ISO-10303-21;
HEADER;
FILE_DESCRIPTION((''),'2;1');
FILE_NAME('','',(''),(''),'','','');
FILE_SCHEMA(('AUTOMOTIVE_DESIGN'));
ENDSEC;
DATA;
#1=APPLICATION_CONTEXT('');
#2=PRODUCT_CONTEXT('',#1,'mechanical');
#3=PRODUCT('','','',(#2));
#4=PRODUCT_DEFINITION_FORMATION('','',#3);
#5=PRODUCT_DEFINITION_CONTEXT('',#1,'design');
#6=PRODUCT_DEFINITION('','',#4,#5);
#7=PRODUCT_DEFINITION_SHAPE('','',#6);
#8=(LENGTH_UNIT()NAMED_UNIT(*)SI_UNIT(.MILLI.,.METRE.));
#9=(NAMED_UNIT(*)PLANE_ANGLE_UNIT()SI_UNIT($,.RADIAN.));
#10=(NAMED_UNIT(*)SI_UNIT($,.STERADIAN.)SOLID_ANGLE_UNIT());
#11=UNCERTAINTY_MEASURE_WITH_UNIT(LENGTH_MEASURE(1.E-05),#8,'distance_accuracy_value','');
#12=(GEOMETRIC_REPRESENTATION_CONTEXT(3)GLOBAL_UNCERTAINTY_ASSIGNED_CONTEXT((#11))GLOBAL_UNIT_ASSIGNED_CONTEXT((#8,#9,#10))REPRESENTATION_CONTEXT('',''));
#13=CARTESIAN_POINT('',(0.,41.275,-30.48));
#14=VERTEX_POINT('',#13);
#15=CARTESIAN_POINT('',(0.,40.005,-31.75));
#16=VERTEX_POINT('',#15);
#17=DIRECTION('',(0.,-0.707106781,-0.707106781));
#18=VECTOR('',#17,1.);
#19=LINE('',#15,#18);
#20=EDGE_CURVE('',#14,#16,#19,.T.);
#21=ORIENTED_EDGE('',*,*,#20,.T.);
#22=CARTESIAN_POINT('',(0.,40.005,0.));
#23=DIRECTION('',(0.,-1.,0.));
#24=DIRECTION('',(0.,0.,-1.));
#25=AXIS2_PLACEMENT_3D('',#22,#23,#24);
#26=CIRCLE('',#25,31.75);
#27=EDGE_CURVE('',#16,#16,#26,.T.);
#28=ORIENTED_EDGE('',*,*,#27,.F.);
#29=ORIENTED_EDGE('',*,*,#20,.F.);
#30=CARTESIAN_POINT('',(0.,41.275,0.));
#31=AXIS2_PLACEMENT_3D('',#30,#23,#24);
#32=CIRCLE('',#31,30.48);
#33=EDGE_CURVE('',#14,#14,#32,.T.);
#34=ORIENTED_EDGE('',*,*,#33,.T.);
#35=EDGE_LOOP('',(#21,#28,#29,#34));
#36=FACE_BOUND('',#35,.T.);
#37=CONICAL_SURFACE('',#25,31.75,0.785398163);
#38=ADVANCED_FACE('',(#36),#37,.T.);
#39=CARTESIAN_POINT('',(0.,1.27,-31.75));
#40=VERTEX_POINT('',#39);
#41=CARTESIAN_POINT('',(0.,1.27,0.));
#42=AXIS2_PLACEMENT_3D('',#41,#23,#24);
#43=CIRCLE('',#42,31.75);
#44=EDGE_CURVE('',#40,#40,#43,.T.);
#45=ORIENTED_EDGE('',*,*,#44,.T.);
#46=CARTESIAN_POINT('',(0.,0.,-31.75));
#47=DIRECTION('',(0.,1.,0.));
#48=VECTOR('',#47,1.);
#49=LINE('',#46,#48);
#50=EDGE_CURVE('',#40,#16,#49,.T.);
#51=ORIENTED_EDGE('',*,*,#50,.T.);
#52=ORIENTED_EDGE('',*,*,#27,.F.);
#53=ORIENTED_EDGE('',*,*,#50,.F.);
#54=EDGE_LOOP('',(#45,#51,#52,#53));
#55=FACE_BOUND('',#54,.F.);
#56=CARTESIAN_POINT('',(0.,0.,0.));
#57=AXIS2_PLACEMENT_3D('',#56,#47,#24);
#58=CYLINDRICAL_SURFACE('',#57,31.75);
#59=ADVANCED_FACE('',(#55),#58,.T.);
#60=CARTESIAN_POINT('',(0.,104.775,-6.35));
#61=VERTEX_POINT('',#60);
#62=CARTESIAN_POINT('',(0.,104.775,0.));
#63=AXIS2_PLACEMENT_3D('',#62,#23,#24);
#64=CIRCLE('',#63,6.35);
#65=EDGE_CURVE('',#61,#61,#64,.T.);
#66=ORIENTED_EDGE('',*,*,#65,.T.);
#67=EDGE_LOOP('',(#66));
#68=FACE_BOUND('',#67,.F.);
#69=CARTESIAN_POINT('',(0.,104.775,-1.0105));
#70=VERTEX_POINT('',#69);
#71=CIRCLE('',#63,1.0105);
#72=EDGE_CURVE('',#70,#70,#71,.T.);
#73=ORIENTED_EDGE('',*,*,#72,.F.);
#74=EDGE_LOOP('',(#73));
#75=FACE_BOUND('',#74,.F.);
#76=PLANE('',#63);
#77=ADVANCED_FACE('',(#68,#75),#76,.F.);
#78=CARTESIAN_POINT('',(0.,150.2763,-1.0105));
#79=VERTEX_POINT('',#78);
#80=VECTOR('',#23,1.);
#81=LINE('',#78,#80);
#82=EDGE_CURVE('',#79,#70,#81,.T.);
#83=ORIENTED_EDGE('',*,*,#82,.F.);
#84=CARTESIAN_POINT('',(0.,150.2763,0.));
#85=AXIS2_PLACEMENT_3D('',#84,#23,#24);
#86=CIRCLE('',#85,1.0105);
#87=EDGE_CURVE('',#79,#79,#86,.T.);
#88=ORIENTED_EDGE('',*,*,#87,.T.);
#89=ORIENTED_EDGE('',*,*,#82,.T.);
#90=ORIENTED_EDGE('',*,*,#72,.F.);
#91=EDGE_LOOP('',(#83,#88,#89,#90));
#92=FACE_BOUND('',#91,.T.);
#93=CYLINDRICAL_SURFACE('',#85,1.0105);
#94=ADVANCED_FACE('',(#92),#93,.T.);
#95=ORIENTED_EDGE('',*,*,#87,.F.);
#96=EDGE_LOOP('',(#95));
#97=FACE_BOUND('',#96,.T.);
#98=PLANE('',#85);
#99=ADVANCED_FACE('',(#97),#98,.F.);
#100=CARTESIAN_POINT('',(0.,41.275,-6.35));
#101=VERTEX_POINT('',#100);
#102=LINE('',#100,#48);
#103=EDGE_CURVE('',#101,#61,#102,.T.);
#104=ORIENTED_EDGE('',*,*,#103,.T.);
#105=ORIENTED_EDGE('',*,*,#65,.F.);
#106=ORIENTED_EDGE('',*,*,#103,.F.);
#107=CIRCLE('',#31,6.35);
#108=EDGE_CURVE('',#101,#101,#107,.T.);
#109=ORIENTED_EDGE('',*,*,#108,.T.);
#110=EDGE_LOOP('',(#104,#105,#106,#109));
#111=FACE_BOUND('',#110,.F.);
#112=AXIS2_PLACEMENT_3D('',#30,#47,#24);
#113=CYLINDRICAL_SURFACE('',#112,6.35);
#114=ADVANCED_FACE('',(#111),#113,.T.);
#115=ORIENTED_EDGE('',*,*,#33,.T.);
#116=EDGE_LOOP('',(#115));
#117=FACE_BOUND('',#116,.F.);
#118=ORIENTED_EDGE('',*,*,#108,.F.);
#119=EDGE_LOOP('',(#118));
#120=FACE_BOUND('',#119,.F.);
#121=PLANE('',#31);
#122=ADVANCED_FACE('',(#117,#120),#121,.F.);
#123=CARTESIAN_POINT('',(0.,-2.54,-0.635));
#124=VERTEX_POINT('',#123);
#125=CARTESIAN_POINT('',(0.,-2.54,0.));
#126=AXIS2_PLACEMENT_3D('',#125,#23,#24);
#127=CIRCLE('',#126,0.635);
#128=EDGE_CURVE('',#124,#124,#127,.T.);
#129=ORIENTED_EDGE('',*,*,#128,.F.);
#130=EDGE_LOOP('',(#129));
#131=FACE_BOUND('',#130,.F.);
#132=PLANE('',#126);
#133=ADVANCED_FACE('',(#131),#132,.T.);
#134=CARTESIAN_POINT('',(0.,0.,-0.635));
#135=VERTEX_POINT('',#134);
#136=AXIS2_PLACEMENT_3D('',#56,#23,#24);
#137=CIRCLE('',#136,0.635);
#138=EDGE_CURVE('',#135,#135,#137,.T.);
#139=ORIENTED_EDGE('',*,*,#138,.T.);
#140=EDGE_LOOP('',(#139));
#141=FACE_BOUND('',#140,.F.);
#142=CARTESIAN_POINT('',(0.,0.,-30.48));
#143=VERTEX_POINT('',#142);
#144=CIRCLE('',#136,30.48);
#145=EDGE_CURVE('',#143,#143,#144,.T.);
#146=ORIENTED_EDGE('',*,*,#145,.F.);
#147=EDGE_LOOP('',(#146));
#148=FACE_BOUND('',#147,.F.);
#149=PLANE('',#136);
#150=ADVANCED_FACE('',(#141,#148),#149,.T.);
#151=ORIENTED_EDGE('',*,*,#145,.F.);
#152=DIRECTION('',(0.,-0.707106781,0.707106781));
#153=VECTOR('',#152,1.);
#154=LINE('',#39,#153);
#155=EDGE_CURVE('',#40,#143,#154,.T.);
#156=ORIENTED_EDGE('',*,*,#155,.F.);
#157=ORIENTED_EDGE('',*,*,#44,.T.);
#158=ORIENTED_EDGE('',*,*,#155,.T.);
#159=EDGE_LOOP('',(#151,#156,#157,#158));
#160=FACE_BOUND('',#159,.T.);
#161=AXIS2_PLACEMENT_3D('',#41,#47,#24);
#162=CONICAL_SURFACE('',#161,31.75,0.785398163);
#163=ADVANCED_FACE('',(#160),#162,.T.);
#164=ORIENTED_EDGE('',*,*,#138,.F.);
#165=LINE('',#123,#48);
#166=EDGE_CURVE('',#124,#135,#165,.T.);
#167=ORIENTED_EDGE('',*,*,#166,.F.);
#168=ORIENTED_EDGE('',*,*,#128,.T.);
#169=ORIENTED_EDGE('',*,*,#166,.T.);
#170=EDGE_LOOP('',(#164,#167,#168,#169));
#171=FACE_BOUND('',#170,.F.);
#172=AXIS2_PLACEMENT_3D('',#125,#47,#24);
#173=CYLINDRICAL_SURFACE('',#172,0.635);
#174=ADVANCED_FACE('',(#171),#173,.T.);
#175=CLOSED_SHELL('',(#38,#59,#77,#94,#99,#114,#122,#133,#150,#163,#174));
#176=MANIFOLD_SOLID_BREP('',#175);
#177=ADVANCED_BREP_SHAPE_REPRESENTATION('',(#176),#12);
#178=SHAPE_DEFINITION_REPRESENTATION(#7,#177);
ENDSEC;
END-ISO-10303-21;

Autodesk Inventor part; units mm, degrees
ref_plane "YZ Plane" through (0, 0, 0) normal (1, 0, 0) x (0, 1, 0)
ref_plane "XZ Plane" through (0, 0, 0) normal (0, 1, 0) x (-1, 0, 0)
ref_plane "XY Plane" through (0, 0, 0) normal (0, 0, 1) x (1, 0, 0)
sketch "Sketch2" plane through (0, 0, 0) normal (1, 0, 0) x (0, 1, 0)
  line L0 (0, -0.635) -> (0, -31.75)
  line L1 (0, -31.75) -> (41.275, -31.75)
  line L2 (41.275, -31.75) -> (41.275, -6.35)
  line L3 (41.275, -6.35) -> (104.775, -6.35)
  line L4 (104.775, -6.35) -> (104.775, -1.0105)
  line L5 (104.775, 0) -> (0, 0)
  line L6 (-2.54, 0) -> (-2.54, -0.635)
  line L7 (-2.54, -0.635) -> (0, -0.635)
  line L8 (-2.54, 0) -> (0, 0)
  line L9 (104.775, 0) -> (150.2763, 0)
  line L10 (150.2763, 0) -> (150.2763, -1.0105)
  line L11 (150.2763, -1.0105) -> (104.775, -1.0105)
  dimension "d0" = 41.275
  dimension "d1" = 63.5
  dimension "d2" = 31.75
  dimension "d3" = 6.35
  dimension "d8" = 2.54
  dimension "d9" = 0.635
revolve "Revolution1" add sketch "Sketch2" angle 360 about axis through (0, 104.775, 0) along (0, -1, 0)
chamfer "Chamfer1" distance 1.27 angle 45 2 edges at (0, 41.275, 31.75) (0, 0, 31.75)
properties part number "Fixture_Weight"
